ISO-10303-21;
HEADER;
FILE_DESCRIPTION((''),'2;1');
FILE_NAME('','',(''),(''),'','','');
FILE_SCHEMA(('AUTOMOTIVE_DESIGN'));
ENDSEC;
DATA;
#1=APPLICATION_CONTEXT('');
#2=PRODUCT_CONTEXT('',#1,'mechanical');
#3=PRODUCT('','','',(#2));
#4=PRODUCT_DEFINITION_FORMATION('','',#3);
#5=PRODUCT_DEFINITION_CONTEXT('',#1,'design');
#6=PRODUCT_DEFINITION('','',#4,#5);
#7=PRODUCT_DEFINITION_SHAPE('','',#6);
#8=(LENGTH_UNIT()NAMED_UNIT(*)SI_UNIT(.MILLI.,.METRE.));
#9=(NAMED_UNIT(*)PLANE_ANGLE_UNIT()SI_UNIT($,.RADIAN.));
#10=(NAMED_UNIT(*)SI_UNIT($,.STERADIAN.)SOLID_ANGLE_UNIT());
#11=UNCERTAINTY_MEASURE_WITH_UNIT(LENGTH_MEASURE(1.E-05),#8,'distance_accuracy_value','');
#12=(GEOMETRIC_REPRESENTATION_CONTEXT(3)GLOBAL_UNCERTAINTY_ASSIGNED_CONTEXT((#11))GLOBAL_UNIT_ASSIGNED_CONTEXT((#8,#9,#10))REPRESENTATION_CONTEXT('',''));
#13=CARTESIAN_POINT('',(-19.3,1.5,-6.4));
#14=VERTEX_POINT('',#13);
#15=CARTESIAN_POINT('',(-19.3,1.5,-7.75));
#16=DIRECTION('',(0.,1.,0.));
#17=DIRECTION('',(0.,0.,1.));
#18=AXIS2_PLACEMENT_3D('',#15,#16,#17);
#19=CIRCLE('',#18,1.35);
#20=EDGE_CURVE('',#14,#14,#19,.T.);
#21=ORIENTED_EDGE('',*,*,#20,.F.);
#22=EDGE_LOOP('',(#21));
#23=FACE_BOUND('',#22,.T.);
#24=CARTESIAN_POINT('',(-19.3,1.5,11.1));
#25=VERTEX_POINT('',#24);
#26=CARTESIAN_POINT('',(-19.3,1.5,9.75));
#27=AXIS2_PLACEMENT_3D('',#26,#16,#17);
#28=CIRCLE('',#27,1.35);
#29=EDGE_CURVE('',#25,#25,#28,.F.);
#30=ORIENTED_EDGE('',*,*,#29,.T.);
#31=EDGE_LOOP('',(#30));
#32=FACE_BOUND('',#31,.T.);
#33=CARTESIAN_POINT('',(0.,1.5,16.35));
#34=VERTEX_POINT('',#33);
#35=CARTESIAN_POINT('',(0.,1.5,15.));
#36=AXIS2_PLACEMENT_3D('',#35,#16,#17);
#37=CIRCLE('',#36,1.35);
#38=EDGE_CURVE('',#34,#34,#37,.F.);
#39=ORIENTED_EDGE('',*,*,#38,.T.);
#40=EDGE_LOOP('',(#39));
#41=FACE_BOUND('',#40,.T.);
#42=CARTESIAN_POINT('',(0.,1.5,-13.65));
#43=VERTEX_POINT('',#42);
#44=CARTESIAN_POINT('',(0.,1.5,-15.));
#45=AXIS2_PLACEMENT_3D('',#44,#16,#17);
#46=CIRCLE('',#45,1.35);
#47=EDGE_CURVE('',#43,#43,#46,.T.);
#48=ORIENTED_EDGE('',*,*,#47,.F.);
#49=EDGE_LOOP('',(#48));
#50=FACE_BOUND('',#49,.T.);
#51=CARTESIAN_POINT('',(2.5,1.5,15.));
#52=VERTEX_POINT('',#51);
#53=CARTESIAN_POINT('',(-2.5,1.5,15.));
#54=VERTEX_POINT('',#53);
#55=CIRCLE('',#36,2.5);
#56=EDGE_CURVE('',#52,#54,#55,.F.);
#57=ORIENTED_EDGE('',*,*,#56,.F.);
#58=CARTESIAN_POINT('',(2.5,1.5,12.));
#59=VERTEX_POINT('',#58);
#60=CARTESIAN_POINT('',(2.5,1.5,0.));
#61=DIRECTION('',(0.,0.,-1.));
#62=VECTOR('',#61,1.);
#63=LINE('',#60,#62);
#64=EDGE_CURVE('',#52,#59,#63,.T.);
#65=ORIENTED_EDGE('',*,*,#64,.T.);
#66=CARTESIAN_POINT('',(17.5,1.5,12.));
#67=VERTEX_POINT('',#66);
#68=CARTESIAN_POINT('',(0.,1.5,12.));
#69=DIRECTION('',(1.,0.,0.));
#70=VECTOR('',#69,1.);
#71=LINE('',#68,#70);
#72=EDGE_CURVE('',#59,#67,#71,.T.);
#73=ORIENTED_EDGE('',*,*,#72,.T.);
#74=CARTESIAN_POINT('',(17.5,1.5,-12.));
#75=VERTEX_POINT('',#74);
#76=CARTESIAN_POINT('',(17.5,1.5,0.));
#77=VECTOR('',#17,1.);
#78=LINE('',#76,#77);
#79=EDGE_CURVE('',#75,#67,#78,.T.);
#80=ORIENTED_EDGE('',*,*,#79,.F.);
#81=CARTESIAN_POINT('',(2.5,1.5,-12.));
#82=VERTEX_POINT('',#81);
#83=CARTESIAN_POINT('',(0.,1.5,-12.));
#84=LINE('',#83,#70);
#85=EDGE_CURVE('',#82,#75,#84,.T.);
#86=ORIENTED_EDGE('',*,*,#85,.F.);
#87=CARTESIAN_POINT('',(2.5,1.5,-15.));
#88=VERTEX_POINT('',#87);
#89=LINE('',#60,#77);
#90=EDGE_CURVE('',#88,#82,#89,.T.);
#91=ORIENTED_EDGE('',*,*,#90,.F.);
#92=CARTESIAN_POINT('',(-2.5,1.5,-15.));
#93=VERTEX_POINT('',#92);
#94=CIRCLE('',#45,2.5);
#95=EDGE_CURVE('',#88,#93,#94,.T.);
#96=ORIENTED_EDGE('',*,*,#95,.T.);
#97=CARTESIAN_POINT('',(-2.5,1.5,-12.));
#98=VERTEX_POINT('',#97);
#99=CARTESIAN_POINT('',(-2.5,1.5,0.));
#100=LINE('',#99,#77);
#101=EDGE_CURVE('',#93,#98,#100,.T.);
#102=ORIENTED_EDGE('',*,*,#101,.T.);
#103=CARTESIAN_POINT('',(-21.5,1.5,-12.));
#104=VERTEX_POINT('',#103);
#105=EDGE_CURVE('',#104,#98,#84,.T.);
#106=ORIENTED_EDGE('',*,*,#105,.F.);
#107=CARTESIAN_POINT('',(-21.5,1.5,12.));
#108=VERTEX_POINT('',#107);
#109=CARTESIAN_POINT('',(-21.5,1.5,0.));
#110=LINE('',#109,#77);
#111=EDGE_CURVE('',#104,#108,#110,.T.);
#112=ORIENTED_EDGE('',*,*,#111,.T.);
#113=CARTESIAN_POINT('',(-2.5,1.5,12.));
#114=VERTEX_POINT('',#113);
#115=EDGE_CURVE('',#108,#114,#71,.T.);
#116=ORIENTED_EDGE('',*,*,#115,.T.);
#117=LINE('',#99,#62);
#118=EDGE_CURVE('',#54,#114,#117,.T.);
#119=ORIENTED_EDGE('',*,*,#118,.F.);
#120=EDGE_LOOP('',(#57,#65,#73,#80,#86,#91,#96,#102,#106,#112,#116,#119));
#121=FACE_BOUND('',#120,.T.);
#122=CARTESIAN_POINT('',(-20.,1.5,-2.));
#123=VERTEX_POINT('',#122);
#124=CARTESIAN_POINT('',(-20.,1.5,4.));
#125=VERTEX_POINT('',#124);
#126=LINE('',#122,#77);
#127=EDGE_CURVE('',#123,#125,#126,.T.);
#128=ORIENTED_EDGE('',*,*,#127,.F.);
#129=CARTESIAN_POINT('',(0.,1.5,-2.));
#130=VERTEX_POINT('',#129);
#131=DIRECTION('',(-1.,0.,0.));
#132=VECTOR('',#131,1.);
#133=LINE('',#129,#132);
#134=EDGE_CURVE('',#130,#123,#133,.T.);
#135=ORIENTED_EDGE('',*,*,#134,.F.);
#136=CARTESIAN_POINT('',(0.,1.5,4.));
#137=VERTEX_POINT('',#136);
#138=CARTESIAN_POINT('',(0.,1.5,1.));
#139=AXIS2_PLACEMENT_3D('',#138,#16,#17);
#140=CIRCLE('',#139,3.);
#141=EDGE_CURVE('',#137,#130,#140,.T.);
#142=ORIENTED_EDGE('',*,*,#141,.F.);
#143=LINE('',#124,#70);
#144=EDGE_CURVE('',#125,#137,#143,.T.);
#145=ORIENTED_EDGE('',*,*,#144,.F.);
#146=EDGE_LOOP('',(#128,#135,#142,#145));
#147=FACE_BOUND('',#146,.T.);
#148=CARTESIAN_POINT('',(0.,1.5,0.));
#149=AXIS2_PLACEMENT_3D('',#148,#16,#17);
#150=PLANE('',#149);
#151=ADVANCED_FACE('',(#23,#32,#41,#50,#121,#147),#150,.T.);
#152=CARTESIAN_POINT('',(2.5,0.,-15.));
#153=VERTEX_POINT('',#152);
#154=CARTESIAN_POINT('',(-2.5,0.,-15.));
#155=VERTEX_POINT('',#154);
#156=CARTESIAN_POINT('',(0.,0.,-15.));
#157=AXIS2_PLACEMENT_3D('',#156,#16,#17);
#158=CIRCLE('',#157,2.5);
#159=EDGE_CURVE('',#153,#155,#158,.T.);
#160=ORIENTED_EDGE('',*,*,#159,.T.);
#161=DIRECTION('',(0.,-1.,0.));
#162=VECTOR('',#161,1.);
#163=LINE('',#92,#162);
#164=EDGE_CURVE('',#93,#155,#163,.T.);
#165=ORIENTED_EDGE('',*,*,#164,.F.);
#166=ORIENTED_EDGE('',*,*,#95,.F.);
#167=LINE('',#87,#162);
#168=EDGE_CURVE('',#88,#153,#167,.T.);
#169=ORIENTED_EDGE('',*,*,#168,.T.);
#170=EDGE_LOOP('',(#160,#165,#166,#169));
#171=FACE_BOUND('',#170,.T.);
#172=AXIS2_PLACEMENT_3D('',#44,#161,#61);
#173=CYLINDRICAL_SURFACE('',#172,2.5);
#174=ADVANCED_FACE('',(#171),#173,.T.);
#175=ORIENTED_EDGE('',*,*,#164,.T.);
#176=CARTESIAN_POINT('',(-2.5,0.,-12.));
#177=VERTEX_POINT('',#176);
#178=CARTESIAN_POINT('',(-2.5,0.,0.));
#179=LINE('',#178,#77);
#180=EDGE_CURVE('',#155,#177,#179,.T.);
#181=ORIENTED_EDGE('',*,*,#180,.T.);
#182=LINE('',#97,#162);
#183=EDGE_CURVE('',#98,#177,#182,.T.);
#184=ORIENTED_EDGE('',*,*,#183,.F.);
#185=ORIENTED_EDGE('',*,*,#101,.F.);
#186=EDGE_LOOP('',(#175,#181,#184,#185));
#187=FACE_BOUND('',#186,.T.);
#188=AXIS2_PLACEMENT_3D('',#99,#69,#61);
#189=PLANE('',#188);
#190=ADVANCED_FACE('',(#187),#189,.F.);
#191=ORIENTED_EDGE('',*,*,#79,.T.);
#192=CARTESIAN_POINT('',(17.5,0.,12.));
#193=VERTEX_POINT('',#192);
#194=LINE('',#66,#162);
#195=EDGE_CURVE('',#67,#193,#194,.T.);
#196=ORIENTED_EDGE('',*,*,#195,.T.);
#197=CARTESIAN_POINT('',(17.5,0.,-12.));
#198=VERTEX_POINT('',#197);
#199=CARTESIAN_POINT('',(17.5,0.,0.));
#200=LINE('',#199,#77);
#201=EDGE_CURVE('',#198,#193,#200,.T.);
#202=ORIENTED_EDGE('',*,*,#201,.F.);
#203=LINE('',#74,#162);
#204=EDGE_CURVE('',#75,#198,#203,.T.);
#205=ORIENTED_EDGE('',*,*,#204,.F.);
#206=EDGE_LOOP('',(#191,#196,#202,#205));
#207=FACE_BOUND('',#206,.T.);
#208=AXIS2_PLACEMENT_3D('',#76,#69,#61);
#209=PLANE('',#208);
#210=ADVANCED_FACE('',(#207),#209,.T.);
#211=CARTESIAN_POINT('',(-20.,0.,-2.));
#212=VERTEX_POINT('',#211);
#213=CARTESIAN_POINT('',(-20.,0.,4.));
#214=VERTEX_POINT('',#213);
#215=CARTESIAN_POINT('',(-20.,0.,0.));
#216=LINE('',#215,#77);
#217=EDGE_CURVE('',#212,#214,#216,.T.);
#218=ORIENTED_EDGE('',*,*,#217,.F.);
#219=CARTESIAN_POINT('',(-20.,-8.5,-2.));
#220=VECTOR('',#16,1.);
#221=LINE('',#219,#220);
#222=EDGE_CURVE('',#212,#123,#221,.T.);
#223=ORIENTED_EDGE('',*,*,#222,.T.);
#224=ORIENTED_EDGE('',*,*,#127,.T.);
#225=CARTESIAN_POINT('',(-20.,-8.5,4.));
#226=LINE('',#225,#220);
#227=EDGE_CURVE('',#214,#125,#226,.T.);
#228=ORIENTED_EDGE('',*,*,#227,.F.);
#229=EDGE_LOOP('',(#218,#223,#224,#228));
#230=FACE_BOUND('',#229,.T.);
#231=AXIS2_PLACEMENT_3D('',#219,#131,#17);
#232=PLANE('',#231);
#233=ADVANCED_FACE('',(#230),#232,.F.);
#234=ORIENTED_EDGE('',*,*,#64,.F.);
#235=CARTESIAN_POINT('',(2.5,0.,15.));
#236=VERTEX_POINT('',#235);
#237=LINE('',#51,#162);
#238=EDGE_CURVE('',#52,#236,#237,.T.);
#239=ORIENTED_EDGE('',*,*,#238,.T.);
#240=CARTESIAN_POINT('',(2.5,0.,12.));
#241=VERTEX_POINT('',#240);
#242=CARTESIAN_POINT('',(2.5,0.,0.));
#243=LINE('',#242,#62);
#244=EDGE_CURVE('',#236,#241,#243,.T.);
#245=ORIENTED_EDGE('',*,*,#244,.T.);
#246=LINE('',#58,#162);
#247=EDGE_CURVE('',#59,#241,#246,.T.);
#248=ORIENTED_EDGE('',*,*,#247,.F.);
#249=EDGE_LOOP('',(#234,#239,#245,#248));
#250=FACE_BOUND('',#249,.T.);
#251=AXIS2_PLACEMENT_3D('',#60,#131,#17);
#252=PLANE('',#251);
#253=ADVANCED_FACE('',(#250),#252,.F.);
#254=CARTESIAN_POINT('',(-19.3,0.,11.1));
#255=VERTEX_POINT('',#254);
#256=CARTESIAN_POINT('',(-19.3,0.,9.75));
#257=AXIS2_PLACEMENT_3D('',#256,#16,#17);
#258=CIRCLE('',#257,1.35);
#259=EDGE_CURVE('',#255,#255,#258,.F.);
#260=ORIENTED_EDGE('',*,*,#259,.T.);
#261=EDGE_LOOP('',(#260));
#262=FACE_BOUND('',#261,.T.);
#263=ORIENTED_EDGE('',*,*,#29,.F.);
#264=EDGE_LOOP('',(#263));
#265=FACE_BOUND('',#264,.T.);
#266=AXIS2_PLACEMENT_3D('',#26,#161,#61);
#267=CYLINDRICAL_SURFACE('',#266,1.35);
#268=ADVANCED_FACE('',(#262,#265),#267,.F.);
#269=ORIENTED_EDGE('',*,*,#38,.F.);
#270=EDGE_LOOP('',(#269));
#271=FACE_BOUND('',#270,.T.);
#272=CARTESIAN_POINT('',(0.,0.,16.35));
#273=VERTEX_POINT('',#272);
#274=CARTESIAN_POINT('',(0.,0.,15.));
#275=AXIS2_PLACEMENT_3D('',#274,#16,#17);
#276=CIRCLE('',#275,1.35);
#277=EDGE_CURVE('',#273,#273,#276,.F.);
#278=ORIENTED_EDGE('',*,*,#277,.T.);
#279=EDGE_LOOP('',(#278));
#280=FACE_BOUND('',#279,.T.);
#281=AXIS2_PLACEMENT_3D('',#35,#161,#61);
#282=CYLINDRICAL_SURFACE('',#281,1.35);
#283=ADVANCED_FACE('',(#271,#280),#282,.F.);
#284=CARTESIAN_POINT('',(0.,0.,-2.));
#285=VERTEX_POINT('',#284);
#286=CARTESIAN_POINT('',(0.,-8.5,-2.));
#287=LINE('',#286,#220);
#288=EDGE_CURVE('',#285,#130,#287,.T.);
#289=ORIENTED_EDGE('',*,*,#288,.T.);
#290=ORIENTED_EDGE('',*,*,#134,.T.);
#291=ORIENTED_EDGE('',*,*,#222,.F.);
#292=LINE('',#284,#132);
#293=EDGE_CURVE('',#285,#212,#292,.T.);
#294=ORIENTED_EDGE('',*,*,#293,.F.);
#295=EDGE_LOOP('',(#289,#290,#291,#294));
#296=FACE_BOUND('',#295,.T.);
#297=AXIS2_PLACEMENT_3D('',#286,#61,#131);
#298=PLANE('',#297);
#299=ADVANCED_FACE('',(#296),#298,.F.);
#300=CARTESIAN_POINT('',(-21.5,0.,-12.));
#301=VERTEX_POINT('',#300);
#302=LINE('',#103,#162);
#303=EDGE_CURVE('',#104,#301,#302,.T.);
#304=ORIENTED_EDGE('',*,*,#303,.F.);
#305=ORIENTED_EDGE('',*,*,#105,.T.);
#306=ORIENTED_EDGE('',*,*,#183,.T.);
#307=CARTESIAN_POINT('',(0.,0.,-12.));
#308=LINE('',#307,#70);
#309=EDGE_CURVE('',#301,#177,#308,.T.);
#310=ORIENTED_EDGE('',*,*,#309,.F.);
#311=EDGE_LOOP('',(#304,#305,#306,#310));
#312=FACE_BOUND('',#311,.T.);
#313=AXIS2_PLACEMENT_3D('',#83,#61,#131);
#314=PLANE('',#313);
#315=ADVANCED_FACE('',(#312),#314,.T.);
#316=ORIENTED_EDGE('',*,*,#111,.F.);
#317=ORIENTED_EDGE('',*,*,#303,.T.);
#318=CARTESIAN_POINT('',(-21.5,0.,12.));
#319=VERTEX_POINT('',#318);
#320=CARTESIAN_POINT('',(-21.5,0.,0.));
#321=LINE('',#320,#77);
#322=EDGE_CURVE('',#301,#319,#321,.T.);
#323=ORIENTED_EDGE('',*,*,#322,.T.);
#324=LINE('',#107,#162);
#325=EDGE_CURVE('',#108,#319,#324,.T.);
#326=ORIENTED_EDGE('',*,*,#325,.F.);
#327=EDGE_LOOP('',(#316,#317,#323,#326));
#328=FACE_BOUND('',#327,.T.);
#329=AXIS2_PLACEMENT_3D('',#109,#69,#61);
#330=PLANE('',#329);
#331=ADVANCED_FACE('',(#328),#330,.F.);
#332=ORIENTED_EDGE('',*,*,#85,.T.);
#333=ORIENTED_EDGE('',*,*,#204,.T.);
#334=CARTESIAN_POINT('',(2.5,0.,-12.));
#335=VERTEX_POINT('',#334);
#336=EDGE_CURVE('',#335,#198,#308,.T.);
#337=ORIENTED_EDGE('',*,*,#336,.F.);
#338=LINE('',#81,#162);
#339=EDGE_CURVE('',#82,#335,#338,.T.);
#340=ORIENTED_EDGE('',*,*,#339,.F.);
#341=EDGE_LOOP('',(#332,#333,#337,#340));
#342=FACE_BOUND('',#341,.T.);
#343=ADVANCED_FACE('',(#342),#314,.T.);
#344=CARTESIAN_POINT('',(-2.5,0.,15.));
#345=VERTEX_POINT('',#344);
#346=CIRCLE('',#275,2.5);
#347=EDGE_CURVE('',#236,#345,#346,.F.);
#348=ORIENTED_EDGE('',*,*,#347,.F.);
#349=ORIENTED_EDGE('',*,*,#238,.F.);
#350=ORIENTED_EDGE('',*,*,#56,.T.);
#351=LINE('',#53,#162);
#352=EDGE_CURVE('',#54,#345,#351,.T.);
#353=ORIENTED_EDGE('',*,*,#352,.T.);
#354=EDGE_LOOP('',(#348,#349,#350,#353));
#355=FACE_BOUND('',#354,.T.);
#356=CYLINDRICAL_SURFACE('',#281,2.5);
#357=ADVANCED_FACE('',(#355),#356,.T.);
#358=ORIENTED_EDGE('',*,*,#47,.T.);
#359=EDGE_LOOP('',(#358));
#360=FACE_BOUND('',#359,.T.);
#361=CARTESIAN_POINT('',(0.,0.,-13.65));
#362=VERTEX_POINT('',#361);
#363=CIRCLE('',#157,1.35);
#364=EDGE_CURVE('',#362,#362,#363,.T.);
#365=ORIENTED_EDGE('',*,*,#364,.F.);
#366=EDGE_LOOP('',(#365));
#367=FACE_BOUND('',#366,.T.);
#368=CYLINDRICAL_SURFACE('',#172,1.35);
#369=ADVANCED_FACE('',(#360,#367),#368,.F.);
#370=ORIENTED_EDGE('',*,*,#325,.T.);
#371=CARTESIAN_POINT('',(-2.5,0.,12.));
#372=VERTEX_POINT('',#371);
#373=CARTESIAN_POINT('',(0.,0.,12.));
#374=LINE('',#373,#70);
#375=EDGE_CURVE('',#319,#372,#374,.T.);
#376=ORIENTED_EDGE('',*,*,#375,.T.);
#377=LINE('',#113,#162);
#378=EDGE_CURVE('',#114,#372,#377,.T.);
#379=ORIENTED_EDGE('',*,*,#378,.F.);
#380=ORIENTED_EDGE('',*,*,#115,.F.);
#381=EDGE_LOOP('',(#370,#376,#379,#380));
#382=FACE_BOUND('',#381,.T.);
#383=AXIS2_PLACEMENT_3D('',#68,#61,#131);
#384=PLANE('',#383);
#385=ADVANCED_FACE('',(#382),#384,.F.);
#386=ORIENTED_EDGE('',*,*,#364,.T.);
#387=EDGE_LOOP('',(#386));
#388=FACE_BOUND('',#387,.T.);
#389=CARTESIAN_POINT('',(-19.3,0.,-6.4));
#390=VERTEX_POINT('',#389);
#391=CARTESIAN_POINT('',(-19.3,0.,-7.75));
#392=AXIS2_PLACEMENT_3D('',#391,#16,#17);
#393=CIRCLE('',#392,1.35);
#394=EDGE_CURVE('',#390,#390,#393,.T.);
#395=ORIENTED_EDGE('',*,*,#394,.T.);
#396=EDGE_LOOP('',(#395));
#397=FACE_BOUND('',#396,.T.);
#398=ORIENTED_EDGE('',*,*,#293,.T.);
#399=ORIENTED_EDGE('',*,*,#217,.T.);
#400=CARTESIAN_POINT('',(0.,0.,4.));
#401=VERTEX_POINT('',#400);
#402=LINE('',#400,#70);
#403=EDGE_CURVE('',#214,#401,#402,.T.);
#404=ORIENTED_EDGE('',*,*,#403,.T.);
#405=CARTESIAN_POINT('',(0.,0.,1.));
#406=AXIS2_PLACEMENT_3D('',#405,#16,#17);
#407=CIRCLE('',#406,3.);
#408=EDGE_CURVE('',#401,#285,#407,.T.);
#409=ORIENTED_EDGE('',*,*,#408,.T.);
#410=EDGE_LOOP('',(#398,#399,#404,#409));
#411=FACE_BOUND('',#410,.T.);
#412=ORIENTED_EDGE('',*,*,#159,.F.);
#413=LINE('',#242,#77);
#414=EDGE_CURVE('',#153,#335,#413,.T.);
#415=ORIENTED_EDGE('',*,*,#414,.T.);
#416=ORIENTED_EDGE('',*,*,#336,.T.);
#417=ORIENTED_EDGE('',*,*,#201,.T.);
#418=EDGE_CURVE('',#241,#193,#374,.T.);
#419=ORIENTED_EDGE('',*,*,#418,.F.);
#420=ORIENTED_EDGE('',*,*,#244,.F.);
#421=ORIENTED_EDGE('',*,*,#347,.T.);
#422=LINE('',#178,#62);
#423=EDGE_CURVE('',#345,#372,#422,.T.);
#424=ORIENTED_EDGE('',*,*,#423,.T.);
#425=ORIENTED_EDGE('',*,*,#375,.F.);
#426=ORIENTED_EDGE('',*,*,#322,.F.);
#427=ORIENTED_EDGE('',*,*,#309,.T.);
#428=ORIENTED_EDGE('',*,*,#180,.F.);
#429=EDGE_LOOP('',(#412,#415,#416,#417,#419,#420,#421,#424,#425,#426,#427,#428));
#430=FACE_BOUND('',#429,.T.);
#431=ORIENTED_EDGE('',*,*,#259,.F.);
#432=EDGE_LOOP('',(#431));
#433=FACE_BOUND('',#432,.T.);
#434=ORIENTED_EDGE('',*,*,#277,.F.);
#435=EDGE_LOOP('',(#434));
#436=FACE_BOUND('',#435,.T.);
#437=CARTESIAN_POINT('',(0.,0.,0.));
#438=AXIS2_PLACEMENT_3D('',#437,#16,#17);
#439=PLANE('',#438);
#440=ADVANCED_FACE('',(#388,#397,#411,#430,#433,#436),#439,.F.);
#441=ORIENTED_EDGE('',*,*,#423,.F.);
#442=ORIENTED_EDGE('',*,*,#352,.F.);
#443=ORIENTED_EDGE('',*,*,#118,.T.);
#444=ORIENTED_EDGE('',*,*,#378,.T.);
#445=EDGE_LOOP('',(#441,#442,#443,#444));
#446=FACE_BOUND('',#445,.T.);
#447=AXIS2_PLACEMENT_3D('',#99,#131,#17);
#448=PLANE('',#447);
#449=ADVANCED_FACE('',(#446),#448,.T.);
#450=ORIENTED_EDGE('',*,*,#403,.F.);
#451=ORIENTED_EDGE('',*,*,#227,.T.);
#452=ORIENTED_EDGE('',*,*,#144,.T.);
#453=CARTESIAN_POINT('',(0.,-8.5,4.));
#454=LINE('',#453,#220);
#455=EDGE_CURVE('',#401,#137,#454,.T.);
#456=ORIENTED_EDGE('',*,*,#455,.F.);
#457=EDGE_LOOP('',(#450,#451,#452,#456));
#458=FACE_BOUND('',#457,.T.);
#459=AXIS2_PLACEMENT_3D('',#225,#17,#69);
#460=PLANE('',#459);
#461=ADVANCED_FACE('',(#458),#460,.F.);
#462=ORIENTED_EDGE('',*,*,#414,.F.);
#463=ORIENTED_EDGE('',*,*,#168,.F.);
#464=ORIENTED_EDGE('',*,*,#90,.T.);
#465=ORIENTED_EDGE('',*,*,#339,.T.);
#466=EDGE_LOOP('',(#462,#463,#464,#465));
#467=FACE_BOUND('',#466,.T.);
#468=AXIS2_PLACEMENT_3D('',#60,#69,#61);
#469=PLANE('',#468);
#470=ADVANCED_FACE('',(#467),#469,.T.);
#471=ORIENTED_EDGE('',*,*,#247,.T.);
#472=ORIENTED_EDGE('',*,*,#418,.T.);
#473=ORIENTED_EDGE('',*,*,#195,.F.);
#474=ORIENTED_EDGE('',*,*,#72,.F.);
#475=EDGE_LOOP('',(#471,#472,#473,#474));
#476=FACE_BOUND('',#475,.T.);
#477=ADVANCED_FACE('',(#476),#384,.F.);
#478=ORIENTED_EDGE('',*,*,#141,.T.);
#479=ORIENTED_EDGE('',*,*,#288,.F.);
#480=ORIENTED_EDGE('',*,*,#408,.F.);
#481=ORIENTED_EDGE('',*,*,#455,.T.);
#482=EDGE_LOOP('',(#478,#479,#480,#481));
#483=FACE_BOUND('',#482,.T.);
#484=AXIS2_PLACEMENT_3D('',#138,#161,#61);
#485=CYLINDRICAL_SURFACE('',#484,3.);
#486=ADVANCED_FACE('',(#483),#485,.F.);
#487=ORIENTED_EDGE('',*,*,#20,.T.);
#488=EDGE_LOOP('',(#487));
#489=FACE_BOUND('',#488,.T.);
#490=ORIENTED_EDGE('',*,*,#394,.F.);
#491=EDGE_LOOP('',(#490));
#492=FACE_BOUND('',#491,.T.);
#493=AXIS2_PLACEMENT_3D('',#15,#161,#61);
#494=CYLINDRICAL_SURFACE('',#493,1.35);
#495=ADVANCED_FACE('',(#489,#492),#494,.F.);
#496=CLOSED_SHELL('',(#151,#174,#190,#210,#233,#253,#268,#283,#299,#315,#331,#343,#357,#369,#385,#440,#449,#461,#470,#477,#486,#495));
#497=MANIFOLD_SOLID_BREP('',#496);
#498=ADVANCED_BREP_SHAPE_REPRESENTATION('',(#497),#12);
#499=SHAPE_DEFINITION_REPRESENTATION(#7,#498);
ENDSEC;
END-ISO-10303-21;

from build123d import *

# Parameters (mm, degrees)
SKETCH1_W           = 35
SKETCH1_H           = 24
SKETCH1_R           = 3
SKETCH1_R_2         = 2.5
SKETCH1_R_3         = 1.35
SKETCH1_W_2         = 4
BOSS_EXTRUDE1_DEPTH = 1.5
CUT_EXTRUDE1_DEPTH  = 10


with BuildPart() as part:
    # Sketch1 → Boss-Extrude1 (new body)
    with BuildSketch(Plane(origin=(0, 0, 0), x_dir=(1, 0, 0), z_dir=(0, 1, 0))):
        Rectangle(SKETCH1_W, SKETCH1_H)
        with Locations((0, -1)):
            Circle(SKETCH1_R, mode=Mode.SUBTRACT)
        with BuildLine():
            Line((2.5, -12), (-2.5, -12))
            Line((-2.5, -12), (-2.5, -15))
            ThreePointArc((-2.5, -15), (0, -12.5), (2.5, -15))
            Line((2.5, -15), (2.5, -12))
        make_face()
        with Locations((0, -15)):
            Circle(SKETCH1_R_2)
        with Locations((0, -15)):
            Circle(SKETCH1_R_3, mode=Mode.SUBTRACT)
        with BuildLine():
            Line((-2.5, 15), (-2.5, 12))
            Line((-2.5, 12), (2.5, 12))
            Line((2.5, 12), (2.5, 15))
            ThreePointArc((2.5, 15), (0, 12.5), (-2.5, 15))
        make_face()
        with Locations((0, 15)):
            Circle(SKETCH1_R_2)
        with Locations((0, 15)):
            Circle(SKETCH1_R_3, mode=Mode.SUBTRACT)
        with Locations((-19.5, 0)):
            Rectangle(SKETCH1_W_2, SKETCH1_H)
        with Locations((-19.3, 7.75)):
            Circle(SKETCH1_R_3, mode=Mode.SUBTRACT)
        with Locations((-19.3, -9.75)):
            Circle(SKETCH1_R_3, mode=Mode.SUBTRACT)
    extrude(amount=BOSS_EXTRUDE1_DEPTH)

    # Sketch2 → Cut-Extrude1 (cut)
    with BuildSketch(Plane(origin=(0, 1.5, 0), x_dir=(1, 0, 0), z_dir=(0, 1, 0))):
        with BuildLine():
            Line((0, 2), (-20, 2))
            Line((-20, 2), (-20, -4))
            Line((-20, -4), (0, -4))
            ThreePointArc((0, -4), (3, -1), (0, 2))
        make_face()
    extrude(amount=-CUT_EXTRUDE1_DEPTH, mode=Mode.SUBTRACT)


solid = part.part
